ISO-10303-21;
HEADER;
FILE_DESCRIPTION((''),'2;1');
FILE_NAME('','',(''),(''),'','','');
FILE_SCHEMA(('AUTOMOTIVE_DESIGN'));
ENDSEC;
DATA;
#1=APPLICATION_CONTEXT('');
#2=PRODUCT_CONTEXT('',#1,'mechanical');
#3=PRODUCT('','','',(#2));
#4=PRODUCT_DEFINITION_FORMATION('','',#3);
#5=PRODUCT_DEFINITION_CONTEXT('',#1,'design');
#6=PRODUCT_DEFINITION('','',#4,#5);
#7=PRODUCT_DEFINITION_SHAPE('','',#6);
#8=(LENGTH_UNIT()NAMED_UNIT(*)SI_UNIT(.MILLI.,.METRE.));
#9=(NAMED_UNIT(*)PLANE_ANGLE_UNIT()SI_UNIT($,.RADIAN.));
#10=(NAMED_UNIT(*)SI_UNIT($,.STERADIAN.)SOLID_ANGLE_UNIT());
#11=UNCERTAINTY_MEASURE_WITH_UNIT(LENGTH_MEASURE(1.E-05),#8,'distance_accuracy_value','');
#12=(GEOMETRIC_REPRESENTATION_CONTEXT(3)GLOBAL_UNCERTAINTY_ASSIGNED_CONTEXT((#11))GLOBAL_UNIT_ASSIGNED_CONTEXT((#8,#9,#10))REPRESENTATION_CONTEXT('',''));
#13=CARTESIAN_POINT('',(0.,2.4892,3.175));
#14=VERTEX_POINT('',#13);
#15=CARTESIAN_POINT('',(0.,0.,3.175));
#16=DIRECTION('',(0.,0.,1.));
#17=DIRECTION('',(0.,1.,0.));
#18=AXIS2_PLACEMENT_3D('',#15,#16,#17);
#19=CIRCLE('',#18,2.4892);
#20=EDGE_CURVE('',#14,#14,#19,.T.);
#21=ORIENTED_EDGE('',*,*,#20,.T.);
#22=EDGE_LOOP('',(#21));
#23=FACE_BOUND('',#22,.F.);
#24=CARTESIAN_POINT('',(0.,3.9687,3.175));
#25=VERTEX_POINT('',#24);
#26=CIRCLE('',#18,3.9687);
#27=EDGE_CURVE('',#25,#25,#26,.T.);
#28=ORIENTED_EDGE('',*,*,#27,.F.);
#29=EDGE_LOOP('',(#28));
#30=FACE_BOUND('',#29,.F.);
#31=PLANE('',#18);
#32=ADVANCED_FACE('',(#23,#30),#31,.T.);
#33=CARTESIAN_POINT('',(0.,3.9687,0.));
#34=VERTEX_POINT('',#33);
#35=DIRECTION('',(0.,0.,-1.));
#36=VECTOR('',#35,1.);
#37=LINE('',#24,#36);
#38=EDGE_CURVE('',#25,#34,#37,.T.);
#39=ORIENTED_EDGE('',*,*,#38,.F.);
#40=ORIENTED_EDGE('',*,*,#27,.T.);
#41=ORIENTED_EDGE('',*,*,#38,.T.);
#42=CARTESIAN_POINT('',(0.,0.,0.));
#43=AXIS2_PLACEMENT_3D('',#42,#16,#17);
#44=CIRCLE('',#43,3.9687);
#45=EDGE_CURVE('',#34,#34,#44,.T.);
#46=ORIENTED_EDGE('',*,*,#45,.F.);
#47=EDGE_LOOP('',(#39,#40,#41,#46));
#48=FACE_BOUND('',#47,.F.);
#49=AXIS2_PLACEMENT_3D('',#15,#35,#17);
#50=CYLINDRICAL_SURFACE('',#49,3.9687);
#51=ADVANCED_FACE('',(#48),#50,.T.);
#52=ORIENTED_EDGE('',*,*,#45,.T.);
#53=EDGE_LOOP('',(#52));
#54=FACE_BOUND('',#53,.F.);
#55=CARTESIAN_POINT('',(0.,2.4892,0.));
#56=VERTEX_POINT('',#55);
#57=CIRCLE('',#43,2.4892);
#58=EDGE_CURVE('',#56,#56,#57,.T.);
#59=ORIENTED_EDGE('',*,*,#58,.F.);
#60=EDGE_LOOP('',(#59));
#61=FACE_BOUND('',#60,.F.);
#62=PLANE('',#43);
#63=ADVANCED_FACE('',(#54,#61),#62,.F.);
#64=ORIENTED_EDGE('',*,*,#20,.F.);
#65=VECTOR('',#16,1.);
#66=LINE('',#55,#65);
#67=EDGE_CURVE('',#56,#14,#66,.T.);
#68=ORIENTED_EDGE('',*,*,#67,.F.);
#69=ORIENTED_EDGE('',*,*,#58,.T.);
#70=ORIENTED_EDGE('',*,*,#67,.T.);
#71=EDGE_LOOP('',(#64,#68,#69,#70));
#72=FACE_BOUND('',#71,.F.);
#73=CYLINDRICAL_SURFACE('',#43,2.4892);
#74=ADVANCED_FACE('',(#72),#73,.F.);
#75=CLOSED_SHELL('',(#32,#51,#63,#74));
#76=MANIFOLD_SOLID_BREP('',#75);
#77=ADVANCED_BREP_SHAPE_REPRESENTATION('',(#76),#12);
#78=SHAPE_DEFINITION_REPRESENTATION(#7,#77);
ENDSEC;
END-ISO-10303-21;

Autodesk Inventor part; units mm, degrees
ref_plane "YZ Plane" through (0, 0, 0) normal (1, 0, 0) x (0, 1, 0)
ref_plane "XZ Plane" through (0, 0, 0) normal (0, 1, 0) x (-1, 0, 0)
ref_plane "XY Plane" through (0, 0, 0) normal (0, 0, 1) x (1, 0, 0)
sketch "Sketch1" plane through (0, 0, 0) normal (1, 0, 0) x (0, 1, 0)
  line L0 (2.4892, 3.175) -> (3.9687, 3.175)
  line L1 (3.9687, 3.175) -> (3.9687, 0)
  line L2 (3.9687, 0) -> (2.4892, 0)
  line L3 (2.4892, 0) -> (2.4892, 3.175)
  line L4 (0, 0) -> (0, 12.9411) construction
  dimension "d0" = 3.175
  dimension "d1" = 4.9784
  dimension "d2" = 7.9375
revolve "Revolution1" add sketch "Sketch1" angle 360 about axis through (0, 0, 0) along (0, 0, 1)
properties part number "Nylon Spacer 1_8th"
